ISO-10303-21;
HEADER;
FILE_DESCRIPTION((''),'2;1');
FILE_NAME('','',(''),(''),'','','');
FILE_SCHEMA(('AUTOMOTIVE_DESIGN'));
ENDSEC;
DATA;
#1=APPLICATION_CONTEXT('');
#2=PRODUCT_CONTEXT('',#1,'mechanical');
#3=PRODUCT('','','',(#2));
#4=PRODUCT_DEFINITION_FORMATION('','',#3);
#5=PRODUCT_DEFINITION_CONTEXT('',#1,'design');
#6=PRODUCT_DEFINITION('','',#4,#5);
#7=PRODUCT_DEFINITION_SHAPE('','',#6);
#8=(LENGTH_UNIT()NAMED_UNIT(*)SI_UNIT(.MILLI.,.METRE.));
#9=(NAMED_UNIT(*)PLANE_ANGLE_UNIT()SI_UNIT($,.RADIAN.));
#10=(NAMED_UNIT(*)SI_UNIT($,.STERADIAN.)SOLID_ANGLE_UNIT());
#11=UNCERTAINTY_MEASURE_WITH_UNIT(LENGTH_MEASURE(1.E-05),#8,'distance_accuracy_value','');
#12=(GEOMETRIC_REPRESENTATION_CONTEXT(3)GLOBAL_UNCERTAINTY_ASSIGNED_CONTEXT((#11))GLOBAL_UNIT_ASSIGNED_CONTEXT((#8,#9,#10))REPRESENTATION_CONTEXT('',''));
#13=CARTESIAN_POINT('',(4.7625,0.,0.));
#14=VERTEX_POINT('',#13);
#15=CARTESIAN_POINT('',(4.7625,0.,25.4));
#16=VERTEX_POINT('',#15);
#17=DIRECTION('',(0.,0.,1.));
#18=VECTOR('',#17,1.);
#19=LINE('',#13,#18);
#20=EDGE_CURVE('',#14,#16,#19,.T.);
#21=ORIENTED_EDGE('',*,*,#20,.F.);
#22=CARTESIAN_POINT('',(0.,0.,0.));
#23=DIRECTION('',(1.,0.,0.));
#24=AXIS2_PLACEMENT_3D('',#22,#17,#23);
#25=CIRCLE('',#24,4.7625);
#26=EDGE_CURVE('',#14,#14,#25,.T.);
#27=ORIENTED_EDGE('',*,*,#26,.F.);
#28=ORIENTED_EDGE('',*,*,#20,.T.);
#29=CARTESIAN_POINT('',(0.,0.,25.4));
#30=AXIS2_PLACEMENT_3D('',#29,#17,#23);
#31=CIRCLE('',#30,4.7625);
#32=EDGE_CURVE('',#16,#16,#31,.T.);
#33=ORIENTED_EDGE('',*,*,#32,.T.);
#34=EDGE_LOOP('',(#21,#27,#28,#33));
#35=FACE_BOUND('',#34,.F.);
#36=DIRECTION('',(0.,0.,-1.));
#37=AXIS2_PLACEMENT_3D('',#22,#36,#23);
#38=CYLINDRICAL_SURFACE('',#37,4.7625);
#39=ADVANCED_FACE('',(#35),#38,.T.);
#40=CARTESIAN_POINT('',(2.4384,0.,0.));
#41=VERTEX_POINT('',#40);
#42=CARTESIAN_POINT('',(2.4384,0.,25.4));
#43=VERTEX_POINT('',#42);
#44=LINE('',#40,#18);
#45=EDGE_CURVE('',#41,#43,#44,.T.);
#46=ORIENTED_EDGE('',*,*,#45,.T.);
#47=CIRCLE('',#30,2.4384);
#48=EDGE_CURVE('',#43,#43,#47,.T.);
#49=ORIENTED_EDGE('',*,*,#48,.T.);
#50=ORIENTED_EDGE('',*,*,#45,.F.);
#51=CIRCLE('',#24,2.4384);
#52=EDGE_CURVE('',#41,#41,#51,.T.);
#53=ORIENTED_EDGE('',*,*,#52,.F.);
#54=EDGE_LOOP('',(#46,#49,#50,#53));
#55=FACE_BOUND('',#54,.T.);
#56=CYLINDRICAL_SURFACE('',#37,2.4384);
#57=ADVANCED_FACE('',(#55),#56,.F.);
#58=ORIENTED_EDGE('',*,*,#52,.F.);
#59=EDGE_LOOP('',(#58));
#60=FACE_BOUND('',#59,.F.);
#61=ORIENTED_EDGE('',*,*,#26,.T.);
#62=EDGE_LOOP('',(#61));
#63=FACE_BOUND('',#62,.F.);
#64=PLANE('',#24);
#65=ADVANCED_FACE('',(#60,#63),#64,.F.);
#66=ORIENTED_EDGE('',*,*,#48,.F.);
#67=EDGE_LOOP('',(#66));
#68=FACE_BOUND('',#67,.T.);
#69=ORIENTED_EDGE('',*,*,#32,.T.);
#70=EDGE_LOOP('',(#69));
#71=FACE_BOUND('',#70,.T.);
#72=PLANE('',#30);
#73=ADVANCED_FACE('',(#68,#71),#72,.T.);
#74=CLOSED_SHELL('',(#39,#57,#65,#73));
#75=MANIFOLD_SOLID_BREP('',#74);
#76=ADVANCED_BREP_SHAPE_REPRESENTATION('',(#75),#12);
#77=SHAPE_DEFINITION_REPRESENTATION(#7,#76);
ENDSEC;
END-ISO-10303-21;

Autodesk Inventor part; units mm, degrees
ref_plane "YZ Plane" through (0, 0, 0) normal (1, 0, 0) x (0, 1, 0)
ref_plane "XZ Plane" through (0, 0, 0) normal (0, 1, 0) x (-1, 0, 0)
ref_plane "XY Plane" through (0, 0, 0) normal (0, 0, 1) x (1, 0, 0)
sketch "Sketch1" plane through (0, 0, 0) normal (0, 0, 1) x (1, 0, 0)
  circle A0 centre (0, 0) radius 4.7625
  circle A1 centre (0, 0) radius 2.4384
  dimension "d0" = 9.525
  dimension "d1" = 4.8768
extrude "Extrusion1" add sketch "Sketch1" along normal blind 25.4
properties part number "battery strap spacer"
